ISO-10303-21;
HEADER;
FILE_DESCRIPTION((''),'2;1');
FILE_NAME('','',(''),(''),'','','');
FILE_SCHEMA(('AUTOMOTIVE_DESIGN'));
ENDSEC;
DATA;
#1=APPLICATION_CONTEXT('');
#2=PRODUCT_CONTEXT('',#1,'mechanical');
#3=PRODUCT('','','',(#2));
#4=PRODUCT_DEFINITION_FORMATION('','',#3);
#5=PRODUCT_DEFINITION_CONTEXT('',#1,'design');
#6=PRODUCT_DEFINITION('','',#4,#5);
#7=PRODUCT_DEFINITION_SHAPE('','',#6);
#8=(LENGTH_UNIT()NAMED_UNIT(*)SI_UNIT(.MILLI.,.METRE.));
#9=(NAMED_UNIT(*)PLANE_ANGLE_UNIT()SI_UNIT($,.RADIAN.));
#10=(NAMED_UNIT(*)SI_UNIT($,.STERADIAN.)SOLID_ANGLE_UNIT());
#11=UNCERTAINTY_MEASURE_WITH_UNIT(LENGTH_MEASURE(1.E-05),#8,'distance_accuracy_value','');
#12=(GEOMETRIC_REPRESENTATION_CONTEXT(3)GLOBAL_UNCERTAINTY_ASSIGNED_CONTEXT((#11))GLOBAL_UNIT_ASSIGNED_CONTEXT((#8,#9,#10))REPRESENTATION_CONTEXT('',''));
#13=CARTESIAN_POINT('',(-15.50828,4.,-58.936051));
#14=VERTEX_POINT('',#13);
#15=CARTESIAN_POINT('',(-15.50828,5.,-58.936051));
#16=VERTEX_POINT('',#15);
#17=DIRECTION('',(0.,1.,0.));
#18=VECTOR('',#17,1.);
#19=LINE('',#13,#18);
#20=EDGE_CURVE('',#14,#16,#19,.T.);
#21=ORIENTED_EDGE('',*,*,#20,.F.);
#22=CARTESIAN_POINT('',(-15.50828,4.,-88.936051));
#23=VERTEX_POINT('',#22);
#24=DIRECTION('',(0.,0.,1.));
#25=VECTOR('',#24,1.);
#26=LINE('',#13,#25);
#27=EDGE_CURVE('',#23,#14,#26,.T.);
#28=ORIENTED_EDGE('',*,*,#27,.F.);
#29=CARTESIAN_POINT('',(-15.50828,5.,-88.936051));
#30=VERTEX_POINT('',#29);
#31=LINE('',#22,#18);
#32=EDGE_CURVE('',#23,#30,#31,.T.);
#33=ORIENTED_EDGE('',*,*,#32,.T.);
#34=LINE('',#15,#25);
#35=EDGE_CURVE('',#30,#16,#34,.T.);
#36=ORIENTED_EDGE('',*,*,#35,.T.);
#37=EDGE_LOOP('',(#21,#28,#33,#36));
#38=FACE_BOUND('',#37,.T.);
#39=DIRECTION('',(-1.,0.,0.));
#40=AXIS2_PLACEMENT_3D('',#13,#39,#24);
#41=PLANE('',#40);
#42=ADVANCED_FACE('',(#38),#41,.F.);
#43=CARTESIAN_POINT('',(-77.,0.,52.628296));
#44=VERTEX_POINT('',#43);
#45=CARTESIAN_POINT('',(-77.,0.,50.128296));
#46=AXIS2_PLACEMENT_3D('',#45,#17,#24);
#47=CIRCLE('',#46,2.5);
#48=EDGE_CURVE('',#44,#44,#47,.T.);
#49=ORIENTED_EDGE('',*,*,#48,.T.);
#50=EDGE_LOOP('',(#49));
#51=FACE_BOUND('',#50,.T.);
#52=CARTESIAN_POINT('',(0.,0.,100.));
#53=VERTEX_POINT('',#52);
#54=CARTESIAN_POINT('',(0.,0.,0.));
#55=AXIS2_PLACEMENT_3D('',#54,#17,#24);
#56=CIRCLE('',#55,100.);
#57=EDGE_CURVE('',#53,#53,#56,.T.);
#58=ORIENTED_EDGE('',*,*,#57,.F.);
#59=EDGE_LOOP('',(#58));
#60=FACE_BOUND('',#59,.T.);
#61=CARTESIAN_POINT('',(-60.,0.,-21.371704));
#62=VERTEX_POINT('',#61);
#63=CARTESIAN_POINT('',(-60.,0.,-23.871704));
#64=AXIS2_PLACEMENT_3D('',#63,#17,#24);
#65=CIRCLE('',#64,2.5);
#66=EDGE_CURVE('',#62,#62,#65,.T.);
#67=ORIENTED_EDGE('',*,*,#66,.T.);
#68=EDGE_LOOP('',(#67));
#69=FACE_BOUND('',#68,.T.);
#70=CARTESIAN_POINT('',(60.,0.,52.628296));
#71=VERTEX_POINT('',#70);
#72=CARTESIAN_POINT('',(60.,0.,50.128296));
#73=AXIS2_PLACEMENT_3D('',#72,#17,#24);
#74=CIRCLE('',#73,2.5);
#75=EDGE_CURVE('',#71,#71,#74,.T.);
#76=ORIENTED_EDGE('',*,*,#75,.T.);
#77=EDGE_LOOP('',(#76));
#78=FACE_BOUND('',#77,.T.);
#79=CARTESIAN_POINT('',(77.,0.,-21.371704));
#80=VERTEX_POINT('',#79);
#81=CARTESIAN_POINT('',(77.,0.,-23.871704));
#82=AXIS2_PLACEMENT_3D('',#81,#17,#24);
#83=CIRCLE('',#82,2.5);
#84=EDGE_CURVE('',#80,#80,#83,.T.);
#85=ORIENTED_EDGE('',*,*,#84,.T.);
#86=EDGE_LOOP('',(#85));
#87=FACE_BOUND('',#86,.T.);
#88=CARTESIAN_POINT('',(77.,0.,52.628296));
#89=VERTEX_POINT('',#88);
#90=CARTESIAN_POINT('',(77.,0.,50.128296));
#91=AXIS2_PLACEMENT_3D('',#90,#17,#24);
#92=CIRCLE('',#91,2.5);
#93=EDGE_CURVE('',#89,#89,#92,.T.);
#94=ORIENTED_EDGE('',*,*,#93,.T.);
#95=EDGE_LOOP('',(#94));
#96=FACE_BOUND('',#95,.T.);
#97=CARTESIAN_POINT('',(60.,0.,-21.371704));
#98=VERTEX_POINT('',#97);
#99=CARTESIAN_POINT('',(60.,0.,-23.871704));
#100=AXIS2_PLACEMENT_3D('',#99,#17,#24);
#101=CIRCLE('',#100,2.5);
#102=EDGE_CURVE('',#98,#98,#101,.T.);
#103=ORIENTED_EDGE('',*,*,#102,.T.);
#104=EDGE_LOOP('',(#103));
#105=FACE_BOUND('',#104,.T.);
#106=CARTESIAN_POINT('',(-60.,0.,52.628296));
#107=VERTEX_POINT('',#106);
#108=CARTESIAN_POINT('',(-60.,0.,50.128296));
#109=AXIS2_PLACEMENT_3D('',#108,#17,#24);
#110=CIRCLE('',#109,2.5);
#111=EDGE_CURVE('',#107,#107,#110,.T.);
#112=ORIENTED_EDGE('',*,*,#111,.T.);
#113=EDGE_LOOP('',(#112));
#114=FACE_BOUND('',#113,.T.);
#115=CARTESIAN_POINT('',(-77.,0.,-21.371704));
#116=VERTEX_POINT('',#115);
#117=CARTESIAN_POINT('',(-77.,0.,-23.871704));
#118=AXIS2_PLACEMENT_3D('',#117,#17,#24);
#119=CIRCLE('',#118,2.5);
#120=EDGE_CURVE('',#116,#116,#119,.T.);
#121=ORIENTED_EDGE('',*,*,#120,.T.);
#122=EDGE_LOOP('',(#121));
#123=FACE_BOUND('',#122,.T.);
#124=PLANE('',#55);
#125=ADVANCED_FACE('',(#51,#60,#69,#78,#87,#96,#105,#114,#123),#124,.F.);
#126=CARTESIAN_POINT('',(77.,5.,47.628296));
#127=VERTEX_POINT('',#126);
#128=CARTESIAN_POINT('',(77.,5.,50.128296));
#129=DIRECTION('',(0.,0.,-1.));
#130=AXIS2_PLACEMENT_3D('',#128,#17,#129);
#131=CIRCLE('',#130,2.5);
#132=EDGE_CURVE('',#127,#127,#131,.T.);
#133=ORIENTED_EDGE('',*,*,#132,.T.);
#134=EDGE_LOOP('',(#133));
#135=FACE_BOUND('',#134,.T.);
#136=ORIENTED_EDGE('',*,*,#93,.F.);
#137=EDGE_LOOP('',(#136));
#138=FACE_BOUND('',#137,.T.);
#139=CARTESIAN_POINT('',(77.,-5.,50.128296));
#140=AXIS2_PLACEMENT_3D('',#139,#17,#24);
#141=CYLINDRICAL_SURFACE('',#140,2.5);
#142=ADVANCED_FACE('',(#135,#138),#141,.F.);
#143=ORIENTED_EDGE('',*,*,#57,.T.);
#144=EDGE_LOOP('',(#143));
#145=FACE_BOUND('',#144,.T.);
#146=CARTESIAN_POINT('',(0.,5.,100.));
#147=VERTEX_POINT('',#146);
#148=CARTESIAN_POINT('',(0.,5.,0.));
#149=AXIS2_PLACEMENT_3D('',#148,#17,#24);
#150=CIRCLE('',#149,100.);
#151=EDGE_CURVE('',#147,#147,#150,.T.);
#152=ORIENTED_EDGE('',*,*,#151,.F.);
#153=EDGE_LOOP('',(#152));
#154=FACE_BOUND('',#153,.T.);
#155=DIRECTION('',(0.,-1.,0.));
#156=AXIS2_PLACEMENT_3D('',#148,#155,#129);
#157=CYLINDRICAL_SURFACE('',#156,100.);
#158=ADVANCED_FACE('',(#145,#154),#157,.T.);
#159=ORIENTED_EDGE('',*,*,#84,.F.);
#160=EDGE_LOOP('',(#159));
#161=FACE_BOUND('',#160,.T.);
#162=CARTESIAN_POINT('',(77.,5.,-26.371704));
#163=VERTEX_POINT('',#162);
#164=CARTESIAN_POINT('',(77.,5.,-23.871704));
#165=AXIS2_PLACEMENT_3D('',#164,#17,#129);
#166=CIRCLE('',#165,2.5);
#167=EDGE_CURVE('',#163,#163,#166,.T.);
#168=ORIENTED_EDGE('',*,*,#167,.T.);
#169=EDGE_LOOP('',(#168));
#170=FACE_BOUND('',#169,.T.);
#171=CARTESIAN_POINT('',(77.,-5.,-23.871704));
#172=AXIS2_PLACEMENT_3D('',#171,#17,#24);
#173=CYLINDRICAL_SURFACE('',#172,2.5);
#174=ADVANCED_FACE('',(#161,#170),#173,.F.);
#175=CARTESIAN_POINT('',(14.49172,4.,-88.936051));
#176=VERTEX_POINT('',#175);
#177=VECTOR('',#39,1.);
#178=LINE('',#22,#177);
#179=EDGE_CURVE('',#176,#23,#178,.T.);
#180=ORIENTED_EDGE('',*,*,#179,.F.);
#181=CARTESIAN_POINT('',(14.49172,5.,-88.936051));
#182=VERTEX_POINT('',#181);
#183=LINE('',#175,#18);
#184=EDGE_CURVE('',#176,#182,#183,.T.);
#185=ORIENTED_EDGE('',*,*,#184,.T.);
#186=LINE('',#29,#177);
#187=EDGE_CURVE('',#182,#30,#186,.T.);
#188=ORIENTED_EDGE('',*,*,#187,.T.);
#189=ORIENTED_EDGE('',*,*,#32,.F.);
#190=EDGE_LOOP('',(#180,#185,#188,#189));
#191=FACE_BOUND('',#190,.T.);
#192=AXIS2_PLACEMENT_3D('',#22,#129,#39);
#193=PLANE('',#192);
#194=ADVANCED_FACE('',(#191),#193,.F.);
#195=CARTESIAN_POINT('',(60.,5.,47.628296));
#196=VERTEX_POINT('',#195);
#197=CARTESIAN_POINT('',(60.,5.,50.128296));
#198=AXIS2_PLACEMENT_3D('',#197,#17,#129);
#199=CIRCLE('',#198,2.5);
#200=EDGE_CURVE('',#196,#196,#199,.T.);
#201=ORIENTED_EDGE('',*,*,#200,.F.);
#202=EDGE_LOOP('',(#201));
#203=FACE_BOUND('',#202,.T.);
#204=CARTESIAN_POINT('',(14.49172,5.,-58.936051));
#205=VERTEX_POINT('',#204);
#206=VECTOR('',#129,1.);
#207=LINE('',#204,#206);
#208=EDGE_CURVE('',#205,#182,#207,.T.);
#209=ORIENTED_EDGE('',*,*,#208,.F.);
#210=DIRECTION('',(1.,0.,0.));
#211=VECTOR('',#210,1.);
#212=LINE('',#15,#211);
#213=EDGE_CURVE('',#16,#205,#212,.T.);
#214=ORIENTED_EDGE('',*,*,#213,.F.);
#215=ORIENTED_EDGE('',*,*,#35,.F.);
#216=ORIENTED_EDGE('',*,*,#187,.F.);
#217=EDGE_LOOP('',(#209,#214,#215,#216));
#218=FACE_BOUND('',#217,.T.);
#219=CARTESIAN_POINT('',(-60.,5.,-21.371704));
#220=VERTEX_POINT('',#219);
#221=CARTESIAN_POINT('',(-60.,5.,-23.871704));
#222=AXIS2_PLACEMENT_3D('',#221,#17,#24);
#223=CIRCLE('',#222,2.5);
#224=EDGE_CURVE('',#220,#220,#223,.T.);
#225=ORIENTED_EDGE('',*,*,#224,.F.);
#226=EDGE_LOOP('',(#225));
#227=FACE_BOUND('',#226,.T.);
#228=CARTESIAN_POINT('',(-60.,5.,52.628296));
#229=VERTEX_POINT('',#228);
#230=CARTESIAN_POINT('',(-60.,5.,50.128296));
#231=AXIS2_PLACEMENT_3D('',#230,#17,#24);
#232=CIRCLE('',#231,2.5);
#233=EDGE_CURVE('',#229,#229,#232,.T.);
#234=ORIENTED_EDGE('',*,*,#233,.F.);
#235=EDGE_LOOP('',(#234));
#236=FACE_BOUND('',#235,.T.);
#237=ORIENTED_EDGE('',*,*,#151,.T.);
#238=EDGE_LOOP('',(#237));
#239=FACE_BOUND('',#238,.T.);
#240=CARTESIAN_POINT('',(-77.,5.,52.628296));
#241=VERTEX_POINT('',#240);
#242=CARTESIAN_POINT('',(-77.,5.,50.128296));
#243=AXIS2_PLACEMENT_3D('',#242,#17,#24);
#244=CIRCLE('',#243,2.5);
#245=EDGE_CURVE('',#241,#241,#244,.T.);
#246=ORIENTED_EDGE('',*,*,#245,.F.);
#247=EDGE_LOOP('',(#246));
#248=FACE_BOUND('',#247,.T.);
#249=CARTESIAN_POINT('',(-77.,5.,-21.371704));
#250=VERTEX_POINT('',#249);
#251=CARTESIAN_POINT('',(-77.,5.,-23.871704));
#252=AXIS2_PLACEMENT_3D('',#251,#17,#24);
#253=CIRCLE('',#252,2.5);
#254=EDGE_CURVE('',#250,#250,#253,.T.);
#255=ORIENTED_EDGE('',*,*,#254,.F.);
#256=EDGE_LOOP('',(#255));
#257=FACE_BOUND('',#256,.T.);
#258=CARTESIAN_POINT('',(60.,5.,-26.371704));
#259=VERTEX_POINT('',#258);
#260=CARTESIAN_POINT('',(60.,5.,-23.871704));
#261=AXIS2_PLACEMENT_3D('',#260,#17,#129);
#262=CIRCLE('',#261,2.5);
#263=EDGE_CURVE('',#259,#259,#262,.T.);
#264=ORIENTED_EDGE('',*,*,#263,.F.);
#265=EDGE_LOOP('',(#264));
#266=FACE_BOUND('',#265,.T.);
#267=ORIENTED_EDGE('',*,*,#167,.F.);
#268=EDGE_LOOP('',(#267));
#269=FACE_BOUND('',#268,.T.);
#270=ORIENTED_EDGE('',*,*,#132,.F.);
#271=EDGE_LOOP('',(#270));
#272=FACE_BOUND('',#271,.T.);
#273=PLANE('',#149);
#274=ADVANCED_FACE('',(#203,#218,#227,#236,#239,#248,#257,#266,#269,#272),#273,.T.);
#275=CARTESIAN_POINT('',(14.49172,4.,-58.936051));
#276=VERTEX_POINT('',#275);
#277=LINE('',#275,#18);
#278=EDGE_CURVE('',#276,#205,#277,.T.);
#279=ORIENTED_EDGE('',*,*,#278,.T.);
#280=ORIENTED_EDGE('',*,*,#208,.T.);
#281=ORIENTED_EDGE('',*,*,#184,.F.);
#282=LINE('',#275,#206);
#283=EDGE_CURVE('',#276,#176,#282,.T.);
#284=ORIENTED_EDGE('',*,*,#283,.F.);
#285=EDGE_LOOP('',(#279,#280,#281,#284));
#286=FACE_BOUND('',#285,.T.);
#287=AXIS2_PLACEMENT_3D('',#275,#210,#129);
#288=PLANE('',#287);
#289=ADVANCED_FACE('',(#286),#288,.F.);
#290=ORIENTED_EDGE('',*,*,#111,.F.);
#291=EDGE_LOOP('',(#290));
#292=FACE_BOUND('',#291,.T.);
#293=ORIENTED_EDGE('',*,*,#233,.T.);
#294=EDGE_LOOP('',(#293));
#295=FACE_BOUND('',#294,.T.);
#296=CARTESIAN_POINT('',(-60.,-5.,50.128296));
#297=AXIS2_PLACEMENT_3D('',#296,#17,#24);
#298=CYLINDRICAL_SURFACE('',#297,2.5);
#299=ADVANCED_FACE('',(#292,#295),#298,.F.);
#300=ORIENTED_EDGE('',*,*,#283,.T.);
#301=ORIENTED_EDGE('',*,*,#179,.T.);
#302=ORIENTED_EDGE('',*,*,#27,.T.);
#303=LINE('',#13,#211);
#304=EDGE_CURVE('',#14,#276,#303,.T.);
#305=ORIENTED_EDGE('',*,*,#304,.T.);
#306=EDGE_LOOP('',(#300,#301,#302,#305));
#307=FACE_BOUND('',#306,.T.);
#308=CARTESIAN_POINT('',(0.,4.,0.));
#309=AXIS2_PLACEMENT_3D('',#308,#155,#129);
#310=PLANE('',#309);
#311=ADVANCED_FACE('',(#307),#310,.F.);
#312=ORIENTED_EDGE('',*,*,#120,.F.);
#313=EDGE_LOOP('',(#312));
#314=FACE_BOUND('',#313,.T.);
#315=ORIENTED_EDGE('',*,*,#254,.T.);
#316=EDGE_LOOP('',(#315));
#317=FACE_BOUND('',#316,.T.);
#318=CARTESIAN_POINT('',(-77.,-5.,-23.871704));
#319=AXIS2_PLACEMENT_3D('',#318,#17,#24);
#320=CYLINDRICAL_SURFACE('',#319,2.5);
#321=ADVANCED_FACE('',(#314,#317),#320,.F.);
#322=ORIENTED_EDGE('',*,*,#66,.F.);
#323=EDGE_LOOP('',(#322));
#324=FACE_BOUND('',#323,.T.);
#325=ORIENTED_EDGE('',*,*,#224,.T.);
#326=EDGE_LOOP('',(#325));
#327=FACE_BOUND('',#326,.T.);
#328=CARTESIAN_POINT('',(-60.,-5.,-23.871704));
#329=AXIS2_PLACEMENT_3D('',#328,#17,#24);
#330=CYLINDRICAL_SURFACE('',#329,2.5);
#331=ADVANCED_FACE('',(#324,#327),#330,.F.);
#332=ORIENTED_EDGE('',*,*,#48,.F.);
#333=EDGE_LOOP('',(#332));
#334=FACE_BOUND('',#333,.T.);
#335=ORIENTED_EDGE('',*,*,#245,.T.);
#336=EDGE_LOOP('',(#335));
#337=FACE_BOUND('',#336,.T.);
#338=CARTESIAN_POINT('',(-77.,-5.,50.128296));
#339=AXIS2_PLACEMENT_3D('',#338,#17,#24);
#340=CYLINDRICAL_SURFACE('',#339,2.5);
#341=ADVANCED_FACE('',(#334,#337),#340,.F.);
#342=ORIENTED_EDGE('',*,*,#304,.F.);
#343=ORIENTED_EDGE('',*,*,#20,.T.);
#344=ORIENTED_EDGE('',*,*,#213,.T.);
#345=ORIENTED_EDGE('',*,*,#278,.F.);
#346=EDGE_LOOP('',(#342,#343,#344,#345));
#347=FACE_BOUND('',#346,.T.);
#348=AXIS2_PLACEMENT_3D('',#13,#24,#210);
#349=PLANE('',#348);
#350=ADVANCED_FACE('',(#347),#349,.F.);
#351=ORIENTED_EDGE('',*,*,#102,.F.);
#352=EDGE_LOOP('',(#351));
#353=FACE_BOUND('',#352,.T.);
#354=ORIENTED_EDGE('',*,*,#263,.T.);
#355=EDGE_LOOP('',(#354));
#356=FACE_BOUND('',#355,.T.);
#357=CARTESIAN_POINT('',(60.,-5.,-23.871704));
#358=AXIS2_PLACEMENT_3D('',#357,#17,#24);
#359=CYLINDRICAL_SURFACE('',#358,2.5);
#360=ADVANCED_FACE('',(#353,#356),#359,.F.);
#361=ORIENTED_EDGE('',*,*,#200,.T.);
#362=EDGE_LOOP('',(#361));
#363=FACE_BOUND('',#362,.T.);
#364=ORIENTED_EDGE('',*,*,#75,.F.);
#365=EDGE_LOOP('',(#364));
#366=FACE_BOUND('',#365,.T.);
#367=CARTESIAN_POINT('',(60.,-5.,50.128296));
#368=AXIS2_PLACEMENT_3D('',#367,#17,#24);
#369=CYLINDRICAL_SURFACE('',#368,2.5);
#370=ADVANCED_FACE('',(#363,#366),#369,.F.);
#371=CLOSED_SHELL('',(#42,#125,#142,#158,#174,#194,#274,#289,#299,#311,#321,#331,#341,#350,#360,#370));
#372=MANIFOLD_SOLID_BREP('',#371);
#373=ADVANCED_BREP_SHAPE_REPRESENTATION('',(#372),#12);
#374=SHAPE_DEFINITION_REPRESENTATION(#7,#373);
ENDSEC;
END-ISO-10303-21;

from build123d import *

# Parameters (mm, degrees)
SKETCH1_R           = 100
BOSS_EXTRUDE1_DEPTH = 5
SKETCH2_R           = 2.5
CUT_EXTRUDE1_DEPTH  = 10
SKETCH3_W           = 30
SKETCH3_H           = 30
CUT_EXTRUDE2_DEPTH  = 1


with BuildPart() as part:
    # Sketch1 → Boss-Extrude1 (new body)
    with BuildSketch(Plane(origin=(0, 0, 0), x_dir=(1, 0, 0), z_dir=(0, 1, 0))):
        Circle(SKETCH1_R)
    extrude(amount=BOSS_EXTRUDE1_DEPTH)

    # Sketch2 → Cut-Extrude1 (cut)
    with BuildSketch(Plane(origin=(0, 5, 0), x_dir=(1, 0, 0), z_dir=(0, 1, 0))):
        with Locations((-77, -50.128296411)):
            Circle(SKETCH2_R)
        with Locations((-77, 23.871703589)):
            Circle(SKETCH2_R)
        with Locations((-60, -50.128296411)):
            Circle(SKETCH2_R)
        with Locations((-60, 23.871703589)):
            Circle(SKETCH2_R)
        with Locations((60, 23.871703589)):
            Circle(SKETCH2_R)
        with Locations((60, -50.128296411)):
            Circle(SKETCH2_R)
        with Locations((77, 23.871703589)):
            Circle(SKETCH2_R)
        with Locations((77, -50.128296411)):
            Circle(SKETCH2_R)
    extrude(amount=-CUT_EXTRUDE1_DEPTH, mode=Mode.SUBTRACT)

    # Sketch3 → Cut-Extrude2 (cut)
    with BuildSketch(Plane(origin=(0, 5, 0), x_dir=(1, 0, 0), z_dir=(0, 1, 0))):
        with Locations((-0.508280415, 73.936051257)):
            Rectangle(SKETCH3_W, SKETCH3_H)
    extrude(amount=-CUT_EXTRUDE2_DEPTH, mode=Mode.SUBTRACT)


solid = part.part
